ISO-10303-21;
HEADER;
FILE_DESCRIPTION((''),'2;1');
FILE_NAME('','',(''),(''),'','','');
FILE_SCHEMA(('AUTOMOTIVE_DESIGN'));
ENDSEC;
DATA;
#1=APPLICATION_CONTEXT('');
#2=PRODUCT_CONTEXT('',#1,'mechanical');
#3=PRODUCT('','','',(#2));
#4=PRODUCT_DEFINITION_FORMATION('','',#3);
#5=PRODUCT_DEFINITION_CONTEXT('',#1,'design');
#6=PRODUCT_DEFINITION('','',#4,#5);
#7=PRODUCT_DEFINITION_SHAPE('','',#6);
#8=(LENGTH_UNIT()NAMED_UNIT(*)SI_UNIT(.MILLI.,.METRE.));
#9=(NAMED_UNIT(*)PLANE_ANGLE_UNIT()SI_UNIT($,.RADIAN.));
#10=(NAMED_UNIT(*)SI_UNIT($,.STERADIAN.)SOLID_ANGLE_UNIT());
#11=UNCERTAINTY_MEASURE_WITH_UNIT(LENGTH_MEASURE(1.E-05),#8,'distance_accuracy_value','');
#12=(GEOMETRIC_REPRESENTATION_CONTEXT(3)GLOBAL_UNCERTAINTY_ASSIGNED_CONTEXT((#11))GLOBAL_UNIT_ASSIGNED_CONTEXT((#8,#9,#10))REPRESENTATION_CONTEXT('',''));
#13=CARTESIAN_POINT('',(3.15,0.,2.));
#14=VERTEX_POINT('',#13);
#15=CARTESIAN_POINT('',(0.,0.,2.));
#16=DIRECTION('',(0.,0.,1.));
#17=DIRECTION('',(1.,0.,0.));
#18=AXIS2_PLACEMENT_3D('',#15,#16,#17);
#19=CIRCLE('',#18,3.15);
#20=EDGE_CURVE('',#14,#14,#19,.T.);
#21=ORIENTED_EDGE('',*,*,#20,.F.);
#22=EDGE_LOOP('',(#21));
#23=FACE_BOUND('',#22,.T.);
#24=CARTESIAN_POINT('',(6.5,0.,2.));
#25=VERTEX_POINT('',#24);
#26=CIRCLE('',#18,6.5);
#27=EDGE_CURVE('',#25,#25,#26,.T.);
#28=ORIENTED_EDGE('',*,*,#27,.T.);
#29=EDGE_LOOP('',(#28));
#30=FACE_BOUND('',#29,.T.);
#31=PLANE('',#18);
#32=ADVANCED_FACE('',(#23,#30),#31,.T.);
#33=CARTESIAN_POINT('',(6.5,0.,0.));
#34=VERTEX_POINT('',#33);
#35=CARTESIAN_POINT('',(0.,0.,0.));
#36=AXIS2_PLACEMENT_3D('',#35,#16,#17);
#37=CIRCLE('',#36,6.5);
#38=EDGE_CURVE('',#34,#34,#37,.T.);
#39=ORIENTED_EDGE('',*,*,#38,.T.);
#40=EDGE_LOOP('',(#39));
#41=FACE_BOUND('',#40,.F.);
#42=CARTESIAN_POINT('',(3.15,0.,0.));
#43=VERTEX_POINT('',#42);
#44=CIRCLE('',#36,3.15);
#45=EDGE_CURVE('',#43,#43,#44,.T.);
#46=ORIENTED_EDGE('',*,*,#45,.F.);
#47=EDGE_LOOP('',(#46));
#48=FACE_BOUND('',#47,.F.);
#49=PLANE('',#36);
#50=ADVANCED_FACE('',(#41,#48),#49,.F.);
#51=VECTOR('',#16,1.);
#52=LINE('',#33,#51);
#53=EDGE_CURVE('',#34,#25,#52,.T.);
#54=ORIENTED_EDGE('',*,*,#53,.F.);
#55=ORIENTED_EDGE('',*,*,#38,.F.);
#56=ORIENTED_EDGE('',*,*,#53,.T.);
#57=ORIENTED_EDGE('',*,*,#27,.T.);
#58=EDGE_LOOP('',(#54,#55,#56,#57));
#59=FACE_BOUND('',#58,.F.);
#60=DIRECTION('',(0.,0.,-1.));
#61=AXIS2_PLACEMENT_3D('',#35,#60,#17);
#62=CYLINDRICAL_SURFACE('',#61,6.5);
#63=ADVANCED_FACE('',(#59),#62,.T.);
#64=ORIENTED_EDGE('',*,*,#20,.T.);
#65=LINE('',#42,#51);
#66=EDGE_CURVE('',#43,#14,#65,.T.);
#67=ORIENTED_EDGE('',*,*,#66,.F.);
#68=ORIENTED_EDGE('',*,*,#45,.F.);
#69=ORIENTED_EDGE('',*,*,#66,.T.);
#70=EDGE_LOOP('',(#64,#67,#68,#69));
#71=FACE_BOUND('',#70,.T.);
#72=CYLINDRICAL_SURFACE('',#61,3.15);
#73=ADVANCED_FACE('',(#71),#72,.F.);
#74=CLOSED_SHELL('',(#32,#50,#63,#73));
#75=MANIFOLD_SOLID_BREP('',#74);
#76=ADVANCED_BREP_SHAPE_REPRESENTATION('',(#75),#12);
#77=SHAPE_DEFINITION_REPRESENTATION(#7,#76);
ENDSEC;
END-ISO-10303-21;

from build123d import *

# Parameters (mm, degrees)
SKETCH_R   = 6.5
SKETCH_R_2 = 3.15
PAD_DEPTH  = 2


with BuildPart() as part:
    # Sketch → Pad (new body)
    with BuildSketch(Plane.XY):
        Circle(SKETCH_R)
        Circle(SKETCH_R_2, mode=Mode.SUBTRACT)
    extrude(amount=PAD_DEPTH)


solid = part.part
